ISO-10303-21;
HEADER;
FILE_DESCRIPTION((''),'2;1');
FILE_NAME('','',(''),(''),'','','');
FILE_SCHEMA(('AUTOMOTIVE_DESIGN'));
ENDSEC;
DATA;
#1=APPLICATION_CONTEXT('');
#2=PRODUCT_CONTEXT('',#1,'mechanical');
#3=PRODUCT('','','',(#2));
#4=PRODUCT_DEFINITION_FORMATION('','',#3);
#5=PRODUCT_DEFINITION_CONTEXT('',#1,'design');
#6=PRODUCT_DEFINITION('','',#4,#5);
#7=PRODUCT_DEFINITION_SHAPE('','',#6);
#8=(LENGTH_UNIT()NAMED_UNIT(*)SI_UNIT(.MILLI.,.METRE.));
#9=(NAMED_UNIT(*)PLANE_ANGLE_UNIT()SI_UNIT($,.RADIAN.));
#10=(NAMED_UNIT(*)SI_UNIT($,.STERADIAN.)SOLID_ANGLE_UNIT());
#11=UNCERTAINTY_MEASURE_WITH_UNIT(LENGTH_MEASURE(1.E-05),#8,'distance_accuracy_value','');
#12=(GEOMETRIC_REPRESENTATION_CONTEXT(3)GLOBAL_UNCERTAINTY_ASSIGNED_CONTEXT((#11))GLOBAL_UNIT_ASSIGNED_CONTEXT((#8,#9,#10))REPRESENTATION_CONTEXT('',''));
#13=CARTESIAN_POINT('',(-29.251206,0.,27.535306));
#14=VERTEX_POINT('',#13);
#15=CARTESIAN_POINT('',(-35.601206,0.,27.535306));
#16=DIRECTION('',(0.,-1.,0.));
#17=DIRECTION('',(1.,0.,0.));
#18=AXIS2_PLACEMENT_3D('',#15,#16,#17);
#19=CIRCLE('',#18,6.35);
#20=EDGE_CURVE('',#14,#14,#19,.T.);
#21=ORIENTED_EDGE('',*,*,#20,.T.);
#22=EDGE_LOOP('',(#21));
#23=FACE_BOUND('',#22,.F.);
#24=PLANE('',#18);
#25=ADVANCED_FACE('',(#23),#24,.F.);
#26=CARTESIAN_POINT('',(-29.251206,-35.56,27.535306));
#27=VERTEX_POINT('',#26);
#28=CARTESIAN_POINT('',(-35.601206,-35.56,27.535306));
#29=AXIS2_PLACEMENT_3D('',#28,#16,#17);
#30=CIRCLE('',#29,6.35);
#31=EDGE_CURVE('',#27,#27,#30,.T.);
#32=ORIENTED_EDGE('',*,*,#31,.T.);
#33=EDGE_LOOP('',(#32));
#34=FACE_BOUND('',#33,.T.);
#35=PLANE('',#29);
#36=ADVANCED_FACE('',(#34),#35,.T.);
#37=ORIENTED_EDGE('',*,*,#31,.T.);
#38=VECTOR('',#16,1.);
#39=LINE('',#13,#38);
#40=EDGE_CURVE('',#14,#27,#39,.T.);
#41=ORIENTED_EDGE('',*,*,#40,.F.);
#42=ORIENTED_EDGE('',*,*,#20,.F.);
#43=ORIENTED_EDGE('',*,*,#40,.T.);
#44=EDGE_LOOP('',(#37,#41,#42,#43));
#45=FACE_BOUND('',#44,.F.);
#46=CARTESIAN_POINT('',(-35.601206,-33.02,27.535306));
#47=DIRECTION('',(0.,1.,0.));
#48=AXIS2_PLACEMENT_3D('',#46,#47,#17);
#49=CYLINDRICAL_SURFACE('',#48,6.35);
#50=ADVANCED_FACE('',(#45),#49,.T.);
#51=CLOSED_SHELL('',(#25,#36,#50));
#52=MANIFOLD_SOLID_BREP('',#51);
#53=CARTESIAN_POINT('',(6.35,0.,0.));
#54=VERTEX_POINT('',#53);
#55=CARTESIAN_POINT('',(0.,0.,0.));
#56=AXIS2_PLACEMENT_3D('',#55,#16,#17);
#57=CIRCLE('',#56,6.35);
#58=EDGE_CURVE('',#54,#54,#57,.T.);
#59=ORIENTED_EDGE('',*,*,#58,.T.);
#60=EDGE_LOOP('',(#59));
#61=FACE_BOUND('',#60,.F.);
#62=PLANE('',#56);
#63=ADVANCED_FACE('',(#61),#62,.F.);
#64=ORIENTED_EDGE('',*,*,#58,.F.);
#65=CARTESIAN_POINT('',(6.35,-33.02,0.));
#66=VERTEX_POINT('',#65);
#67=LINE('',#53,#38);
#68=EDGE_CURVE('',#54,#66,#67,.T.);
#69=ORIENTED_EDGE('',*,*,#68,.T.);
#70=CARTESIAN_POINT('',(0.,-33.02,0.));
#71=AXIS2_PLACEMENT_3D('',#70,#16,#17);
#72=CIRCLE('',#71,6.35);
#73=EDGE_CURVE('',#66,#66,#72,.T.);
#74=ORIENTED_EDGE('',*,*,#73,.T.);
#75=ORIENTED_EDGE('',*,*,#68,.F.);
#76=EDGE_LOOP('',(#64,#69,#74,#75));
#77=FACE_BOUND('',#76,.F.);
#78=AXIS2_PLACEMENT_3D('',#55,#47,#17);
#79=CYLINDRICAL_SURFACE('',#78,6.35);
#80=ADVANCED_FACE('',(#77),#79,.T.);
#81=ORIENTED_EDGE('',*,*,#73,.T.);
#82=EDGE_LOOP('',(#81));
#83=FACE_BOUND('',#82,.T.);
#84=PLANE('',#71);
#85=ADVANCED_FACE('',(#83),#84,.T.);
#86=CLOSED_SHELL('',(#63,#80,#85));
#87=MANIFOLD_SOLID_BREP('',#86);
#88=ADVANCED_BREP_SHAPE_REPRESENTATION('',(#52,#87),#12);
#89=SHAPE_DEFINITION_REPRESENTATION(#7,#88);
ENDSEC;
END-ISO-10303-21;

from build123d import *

# Parameters (mm, degrees)
F0_R     = 6.35
F1_DEPTH = 33.02
F2_R     = 6.35
F3_DEPTH = 2.54


with BuildPart() as f1:
    # F0 (on Front) → F1 (new body)
    with BuildSketch(Plane.XZ):
        Circle(F0_R)
        with Locations((-35.601206, 27.535306)):
            Circle(F0_R)
    extrude(amount=F1_DEPTH)

    # F2 (on face) → F3 (join)
    with BuildSketch(Plane.XZ.offset(33.02)):
        with Locations((-35.601206, 27.535306)):
            Circle(F2_R)
    extrude(amount=F3_DEPTH)


solid = f1.part
